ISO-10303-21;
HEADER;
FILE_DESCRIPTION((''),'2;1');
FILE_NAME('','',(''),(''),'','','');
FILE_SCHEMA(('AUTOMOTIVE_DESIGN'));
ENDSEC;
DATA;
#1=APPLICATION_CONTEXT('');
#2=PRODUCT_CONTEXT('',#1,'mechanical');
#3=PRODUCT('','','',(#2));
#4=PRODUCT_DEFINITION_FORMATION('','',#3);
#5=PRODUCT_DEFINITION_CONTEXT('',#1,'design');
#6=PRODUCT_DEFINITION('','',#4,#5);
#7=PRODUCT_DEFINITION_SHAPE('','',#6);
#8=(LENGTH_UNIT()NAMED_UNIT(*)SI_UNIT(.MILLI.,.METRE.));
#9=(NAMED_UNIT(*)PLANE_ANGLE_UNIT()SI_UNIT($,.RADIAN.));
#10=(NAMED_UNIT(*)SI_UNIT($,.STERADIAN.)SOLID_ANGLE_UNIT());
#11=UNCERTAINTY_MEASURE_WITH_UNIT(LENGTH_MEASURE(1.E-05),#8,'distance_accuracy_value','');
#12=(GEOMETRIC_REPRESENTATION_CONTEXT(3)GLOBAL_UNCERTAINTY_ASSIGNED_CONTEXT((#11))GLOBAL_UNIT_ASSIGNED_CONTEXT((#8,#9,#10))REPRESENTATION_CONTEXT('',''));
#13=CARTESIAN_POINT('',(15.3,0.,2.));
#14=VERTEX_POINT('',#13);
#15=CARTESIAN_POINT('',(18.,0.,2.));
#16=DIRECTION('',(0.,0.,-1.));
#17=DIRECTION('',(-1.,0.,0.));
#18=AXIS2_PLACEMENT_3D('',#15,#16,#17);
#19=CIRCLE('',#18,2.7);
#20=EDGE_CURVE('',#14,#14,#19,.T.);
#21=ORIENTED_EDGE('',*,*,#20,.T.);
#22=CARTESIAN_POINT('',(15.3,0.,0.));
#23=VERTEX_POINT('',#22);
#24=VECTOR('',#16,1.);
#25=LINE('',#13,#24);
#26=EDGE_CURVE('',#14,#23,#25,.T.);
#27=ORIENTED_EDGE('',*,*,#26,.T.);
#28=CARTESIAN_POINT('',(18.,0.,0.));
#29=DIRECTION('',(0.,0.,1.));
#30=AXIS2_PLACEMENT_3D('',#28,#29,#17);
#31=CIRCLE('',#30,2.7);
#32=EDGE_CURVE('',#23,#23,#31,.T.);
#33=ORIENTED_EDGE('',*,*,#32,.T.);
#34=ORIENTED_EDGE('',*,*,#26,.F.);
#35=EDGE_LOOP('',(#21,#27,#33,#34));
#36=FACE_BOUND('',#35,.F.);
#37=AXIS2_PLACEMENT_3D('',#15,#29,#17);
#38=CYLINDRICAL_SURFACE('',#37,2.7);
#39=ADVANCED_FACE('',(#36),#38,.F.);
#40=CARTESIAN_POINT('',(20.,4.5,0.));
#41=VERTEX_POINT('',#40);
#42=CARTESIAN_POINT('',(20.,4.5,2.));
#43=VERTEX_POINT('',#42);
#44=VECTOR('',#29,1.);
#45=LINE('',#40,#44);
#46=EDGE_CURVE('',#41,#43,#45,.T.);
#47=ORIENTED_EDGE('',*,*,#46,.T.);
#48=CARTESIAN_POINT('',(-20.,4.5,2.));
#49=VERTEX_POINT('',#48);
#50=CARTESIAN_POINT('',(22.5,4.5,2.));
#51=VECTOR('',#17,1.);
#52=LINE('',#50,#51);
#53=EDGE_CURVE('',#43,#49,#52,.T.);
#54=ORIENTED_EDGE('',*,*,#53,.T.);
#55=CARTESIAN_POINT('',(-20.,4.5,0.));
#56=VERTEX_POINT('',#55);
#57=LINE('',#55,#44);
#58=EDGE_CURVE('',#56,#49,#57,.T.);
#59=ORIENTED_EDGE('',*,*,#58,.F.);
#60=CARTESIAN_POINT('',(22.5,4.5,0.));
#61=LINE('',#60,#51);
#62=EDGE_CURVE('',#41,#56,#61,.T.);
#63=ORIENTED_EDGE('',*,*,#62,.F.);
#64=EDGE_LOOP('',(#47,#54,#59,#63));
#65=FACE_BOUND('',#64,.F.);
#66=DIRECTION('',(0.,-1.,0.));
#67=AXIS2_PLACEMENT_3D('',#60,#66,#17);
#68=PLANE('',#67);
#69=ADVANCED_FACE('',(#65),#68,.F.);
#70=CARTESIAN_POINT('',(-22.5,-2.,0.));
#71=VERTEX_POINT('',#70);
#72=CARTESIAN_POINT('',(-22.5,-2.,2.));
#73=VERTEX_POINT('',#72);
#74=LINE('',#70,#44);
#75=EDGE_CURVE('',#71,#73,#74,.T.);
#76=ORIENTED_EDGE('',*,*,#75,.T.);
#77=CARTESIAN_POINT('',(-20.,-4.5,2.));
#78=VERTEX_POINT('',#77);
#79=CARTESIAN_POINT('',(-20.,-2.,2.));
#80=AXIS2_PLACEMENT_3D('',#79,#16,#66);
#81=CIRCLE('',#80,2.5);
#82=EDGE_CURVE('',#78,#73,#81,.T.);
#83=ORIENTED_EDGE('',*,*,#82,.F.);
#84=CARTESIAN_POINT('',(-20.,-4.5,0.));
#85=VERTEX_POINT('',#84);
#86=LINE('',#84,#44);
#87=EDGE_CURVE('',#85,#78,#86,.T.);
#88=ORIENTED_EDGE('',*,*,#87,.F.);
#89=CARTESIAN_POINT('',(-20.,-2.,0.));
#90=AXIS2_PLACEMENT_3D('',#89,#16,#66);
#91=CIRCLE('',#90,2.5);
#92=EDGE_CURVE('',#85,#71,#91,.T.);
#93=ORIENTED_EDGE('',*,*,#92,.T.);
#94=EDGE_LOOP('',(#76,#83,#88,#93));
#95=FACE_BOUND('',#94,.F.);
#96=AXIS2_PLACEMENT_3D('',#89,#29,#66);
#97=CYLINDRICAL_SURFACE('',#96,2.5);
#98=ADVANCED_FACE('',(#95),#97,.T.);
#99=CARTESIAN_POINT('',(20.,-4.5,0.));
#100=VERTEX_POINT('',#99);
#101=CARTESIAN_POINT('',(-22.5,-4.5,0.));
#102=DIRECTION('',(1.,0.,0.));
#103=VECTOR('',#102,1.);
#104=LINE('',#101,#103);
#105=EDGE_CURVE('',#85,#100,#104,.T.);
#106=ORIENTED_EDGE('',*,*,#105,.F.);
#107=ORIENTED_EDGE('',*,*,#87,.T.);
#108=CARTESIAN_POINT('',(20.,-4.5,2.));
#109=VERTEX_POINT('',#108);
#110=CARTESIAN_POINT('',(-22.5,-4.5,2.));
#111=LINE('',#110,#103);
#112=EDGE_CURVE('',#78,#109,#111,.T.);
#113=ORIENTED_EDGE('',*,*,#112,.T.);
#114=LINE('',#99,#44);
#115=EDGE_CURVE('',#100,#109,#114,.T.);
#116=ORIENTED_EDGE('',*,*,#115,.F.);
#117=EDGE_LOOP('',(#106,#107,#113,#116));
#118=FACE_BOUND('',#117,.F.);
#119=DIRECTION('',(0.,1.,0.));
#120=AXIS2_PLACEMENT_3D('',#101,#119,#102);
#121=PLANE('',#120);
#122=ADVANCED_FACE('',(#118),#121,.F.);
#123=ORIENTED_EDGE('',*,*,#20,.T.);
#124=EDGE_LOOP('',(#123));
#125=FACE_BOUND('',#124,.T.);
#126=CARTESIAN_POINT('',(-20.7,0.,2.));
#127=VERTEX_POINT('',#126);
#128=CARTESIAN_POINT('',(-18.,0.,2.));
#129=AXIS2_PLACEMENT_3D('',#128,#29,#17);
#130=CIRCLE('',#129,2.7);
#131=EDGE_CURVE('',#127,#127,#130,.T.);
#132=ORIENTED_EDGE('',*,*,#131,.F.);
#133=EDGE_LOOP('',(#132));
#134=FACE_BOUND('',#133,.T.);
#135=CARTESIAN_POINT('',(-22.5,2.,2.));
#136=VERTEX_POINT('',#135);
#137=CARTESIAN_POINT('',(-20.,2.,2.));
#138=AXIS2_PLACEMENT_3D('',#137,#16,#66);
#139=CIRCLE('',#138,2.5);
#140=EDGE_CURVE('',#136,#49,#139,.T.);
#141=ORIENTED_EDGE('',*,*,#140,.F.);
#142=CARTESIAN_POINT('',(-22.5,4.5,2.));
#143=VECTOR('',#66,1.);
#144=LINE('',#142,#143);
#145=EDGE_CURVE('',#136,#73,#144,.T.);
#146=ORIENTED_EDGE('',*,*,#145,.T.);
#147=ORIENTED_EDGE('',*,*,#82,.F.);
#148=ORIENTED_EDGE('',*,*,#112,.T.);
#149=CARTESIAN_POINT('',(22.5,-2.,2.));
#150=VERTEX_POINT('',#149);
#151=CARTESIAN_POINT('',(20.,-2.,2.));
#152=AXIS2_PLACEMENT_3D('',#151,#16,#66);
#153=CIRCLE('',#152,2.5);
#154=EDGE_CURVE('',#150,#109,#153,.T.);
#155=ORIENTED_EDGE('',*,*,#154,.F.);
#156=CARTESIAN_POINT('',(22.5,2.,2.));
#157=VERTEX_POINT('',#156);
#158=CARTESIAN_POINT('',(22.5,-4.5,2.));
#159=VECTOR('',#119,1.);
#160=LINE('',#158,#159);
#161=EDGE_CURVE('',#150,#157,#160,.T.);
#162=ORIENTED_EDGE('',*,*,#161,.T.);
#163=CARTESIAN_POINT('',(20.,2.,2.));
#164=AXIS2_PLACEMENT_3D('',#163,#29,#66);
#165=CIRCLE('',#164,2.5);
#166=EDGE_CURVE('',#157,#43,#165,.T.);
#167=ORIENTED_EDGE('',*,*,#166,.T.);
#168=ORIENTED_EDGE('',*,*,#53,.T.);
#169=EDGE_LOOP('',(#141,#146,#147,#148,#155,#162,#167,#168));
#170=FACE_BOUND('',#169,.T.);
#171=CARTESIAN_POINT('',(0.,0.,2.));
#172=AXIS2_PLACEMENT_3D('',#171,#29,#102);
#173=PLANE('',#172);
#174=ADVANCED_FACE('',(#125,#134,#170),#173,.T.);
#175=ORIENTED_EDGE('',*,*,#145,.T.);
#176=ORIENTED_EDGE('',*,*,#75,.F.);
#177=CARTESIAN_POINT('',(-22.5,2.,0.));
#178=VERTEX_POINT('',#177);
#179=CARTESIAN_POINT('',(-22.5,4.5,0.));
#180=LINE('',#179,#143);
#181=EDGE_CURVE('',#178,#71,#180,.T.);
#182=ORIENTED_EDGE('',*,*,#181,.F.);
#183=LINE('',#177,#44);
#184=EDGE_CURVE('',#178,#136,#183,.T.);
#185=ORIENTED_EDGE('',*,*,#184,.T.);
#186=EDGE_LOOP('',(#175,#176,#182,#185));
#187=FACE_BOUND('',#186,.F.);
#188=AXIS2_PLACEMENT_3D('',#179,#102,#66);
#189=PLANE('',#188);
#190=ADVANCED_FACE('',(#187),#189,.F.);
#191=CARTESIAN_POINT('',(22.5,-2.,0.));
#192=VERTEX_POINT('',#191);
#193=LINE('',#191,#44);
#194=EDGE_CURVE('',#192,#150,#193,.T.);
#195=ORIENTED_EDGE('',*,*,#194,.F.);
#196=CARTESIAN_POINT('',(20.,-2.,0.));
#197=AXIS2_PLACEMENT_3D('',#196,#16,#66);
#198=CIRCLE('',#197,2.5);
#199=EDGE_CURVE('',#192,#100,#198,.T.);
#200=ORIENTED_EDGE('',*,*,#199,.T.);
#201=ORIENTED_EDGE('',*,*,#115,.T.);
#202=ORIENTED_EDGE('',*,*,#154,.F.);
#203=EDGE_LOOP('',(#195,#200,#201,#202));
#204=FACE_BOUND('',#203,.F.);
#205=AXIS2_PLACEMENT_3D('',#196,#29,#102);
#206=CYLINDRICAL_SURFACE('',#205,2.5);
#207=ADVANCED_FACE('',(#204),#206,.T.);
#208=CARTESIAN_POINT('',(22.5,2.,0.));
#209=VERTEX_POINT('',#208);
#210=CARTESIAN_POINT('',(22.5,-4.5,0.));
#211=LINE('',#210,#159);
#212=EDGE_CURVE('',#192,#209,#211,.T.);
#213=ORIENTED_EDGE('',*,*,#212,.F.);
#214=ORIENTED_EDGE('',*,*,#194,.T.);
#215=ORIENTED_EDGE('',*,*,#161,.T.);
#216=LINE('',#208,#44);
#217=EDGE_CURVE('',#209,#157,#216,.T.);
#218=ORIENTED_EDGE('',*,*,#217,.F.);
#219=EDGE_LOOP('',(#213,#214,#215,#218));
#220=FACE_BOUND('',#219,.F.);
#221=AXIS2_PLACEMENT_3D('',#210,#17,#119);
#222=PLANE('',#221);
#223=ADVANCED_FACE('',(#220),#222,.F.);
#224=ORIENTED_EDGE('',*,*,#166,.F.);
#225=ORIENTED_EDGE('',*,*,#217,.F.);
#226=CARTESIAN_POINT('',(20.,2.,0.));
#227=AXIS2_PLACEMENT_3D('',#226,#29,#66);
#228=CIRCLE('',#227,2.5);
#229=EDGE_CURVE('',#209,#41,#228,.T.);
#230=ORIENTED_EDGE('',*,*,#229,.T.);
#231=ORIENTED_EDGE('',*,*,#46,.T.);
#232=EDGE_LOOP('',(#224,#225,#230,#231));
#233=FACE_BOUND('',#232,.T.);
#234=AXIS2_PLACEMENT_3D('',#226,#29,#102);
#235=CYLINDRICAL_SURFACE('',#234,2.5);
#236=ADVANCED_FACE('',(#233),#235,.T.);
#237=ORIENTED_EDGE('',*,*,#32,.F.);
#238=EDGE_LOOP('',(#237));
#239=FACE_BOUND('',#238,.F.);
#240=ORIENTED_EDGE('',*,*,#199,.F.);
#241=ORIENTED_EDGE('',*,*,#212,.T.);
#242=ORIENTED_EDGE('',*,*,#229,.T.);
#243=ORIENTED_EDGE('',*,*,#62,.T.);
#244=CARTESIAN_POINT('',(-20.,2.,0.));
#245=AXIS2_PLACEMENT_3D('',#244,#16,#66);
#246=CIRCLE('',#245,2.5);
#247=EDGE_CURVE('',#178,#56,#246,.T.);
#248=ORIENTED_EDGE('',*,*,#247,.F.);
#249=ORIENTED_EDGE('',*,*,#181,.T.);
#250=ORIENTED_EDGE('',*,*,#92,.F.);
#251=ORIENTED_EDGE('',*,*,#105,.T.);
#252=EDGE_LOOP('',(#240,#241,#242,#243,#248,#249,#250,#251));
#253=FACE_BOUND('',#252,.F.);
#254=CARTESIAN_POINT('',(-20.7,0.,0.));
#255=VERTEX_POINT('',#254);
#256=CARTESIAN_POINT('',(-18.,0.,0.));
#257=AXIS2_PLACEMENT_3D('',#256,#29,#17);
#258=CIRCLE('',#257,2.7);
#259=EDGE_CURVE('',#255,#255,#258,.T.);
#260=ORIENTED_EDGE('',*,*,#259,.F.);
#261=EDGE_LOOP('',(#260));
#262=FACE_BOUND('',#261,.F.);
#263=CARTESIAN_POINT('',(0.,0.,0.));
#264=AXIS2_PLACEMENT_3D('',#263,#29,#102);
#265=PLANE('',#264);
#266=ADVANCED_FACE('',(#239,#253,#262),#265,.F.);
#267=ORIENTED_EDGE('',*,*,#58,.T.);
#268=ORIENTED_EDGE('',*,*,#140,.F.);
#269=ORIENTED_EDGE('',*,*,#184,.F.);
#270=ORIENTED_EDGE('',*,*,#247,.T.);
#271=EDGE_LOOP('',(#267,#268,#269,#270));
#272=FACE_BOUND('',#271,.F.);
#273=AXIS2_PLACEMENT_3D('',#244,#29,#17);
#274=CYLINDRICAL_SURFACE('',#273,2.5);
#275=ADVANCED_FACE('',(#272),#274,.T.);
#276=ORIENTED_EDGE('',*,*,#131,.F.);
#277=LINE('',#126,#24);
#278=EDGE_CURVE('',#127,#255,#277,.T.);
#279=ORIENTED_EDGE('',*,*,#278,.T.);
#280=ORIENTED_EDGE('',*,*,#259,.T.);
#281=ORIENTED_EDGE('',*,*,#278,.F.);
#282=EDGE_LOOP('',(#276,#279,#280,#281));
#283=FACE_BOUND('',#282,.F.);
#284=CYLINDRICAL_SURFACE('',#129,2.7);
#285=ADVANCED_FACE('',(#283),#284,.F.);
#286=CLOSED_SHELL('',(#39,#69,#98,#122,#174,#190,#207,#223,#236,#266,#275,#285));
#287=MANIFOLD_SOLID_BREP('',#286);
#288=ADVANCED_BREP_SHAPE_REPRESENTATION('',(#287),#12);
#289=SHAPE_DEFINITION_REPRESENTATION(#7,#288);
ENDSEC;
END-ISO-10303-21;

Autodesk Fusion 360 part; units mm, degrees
sketch "Sketch1" plane through (0, 0, 0) normal (0, 0, 1) x (1, 0, 0)
  line L0 (22.5, 4.5) -> (-22.5, 4.5)
  line L1 (-22.5, 4.5) -> (-22.5, -4.5)
  line L2 (-22.5, -4.5) -> (22.5, -4.5)
  line L3 (22.5, -4.5) -> (22.5, 4.5)
  line L4 (22.5, 4.5) -> (-22.5, -4.5) construction
  line L5 (-22.5, 4.5) -> (22.5, -4.5) construction
  dimension "d1" = 45
  dimension "d2" = 9
extrude "Extrude1" add sketch "Sketch1" along normal blind 2
fillet "Fillet1" radius 2.5 4 edges at (-22.5, -4.5, 1) (-22.5, 4.5, 1) (22.5, -4.5, 1) (22.5, 4.5, 1)
sketch "Sketch2" plane through (0, 0, 2) normal (0, 0, 1) x (-1, 0, 0)
  arc A0 (-22.5, -2) -> (-20, -4.5) centre (-20, -2) ccw
  line L0 (-20, -4.5) -> (20, -4.5)
  arc A1 (20, -4.5) -> (22.5, -2) centre (20, -2) ccw
  line L1 (20, 4.5) -> (-20, 4.5)
  line L2 (22.5, -2) -> (22.5, 2)
  arc A2 (22.5, 2) -> (20, 4.5) centre (20, 2) ccw
  arc A3 (-20, 4.5) -> (-22.5, 2) centre (-20, 2) ccw
  line L3 (-22.5, 2) -> (-22.5, -2)
  line L4 (22.5, 0) -> (-22.5, 0) construction
  line L5 (22.5, 0) -> (18, 0)
  line L6 (-22.5, 0) -> (-18, 0)
  circle A4 centre (18, 0) radius 2.7
  circle A5 centre (-18, 0) radius 2.7
  dimension "d11" = 4.5
  dimension "d12" = 4.5
  dimension "d13" = 5.4
  dimension "d14" = 5.4
extrude "Extrude2" cut sketch "Sketch2" against normal blind 2 contours A4 | A5
